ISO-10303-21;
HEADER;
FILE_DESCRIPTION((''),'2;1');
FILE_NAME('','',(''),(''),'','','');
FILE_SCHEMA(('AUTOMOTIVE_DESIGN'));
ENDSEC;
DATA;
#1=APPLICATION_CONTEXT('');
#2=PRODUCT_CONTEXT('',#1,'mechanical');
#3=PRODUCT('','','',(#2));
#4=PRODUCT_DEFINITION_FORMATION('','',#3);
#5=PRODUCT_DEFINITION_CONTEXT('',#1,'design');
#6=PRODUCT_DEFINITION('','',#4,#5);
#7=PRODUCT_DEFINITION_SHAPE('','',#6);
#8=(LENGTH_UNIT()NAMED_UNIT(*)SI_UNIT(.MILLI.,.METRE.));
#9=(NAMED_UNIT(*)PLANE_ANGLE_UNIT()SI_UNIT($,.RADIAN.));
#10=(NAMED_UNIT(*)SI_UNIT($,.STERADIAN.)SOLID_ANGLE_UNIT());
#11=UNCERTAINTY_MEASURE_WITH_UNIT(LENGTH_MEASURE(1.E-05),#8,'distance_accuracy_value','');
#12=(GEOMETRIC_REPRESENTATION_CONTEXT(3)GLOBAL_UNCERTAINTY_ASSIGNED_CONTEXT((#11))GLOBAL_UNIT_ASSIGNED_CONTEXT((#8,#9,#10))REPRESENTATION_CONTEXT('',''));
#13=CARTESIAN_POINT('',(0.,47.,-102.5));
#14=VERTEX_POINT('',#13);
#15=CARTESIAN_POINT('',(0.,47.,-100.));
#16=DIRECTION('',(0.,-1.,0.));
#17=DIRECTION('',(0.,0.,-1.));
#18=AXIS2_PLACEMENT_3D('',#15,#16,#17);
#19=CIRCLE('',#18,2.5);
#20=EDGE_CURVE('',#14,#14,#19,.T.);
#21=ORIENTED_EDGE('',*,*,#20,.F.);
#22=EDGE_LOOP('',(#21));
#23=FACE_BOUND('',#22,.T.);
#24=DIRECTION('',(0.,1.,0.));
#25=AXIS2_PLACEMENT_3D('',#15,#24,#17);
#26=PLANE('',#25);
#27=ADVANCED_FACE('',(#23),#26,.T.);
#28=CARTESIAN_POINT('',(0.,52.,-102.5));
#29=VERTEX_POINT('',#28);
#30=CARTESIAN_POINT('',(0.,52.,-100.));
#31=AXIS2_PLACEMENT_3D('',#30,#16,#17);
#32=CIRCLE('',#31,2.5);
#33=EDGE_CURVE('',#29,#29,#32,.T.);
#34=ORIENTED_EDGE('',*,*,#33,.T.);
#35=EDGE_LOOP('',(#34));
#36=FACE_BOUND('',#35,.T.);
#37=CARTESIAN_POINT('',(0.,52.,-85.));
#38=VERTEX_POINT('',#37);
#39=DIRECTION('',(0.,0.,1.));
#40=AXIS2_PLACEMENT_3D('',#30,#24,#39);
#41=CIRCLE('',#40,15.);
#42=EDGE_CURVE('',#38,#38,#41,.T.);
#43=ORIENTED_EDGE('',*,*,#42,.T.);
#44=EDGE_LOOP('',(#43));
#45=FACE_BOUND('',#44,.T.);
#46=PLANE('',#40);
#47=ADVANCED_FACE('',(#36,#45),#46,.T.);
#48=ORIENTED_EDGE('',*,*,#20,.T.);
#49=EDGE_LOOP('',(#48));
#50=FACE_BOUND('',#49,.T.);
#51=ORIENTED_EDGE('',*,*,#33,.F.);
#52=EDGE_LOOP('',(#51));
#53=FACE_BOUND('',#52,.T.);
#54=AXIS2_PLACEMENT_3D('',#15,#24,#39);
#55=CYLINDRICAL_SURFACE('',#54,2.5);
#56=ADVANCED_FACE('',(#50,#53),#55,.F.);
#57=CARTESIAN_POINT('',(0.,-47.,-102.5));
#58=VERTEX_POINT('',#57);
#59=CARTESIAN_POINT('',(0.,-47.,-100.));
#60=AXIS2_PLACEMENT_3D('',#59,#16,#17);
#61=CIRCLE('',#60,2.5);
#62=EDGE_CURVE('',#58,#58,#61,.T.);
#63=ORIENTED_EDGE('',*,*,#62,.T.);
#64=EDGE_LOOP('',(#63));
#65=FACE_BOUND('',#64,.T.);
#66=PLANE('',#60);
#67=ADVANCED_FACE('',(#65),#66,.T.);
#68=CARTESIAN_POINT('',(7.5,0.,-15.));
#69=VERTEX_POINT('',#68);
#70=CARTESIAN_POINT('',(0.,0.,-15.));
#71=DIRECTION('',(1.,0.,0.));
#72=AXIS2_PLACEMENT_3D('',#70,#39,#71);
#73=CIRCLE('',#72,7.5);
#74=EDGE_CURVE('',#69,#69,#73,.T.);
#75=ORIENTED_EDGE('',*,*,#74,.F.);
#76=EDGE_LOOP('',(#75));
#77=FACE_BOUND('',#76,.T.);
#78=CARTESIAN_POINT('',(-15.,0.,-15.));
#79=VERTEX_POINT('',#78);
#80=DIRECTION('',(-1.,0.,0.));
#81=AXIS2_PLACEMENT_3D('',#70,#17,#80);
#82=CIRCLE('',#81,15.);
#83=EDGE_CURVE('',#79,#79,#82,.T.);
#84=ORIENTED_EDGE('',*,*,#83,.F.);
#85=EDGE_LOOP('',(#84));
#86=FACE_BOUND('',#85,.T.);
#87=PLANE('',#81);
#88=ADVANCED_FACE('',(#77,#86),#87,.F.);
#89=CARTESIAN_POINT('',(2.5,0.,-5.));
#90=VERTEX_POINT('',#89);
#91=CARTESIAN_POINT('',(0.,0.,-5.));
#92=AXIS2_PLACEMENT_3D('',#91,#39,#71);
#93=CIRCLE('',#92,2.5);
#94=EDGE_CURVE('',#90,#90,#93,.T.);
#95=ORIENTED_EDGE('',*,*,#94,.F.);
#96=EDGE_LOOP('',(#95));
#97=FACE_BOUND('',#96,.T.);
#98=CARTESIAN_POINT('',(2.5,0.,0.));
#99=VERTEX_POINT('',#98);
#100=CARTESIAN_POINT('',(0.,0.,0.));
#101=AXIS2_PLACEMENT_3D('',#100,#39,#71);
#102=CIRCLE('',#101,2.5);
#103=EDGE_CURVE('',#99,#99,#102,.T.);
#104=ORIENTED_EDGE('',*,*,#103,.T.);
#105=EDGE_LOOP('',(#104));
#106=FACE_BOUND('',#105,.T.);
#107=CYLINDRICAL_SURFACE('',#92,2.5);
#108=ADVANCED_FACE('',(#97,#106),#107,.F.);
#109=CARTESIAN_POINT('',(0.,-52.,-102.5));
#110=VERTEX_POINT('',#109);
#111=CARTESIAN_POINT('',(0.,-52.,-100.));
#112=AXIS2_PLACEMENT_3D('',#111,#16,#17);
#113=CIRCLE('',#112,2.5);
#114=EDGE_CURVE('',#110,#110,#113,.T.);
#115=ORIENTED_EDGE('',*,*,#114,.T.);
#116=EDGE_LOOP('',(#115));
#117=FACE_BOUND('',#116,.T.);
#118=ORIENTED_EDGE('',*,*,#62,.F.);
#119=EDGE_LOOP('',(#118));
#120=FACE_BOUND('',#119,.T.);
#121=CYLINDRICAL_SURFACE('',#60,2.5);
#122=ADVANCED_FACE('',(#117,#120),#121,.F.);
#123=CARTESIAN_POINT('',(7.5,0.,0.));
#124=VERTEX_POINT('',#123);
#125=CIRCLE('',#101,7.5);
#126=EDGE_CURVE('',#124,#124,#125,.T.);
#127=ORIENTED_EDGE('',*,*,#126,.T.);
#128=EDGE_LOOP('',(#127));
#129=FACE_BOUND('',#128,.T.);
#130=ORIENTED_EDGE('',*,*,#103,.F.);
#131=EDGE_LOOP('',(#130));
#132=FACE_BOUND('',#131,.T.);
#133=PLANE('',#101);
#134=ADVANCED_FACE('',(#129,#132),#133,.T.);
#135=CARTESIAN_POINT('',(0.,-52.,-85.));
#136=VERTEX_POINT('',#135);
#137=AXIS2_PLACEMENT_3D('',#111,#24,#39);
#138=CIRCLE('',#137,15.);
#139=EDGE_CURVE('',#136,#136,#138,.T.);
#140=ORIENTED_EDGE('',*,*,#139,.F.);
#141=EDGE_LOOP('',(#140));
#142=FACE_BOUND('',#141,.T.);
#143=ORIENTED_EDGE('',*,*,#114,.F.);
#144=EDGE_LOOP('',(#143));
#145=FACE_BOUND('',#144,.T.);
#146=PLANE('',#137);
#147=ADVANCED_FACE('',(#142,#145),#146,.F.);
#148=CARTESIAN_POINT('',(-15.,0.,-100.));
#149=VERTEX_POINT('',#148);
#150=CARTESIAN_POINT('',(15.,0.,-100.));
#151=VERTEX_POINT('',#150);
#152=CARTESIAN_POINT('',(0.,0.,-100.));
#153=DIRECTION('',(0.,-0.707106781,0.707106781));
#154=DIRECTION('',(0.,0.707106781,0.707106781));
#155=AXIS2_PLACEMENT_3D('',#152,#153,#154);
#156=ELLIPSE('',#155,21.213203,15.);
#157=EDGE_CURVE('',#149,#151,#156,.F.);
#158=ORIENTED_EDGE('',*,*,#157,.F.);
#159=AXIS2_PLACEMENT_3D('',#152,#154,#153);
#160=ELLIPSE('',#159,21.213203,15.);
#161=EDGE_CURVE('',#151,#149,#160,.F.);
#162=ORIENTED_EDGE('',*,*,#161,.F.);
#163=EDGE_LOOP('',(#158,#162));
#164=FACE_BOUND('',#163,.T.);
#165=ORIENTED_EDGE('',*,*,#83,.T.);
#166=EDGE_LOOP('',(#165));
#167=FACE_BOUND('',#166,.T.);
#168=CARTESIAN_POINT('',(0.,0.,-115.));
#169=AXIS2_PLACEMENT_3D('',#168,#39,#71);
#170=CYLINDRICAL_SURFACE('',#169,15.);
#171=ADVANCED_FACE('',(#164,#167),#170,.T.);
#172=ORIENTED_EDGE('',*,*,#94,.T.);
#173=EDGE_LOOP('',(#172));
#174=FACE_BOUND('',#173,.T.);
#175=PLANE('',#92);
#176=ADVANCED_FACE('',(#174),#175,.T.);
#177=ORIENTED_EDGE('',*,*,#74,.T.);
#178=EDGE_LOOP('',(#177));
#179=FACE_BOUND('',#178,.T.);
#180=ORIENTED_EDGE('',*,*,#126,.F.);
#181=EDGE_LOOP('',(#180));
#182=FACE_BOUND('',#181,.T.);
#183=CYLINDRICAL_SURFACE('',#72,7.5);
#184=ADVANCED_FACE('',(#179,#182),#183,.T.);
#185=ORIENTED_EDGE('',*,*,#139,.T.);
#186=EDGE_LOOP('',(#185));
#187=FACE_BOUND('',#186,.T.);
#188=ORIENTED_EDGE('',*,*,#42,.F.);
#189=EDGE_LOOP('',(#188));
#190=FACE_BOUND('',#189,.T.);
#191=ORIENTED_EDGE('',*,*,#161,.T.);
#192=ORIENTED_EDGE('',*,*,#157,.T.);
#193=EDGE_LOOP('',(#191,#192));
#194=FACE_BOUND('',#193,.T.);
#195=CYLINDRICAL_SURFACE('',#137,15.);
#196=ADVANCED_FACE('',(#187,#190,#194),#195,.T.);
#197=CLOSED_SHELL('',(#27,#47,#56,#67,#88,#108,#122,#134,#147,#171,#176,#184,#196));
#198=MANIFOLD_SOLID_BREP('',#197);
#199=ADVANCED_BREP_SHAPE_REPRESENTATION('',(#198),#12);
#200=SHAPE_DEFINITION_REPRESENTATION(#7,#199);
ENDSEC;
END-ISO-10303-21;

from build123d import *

# Parameters (mm, degrees)
SKETCH1_R           = 7.5
BOSS_EXTRUDE1_DEPTH = 15
SKETCH7_R           = 2.5
CUT_EXTRUDE2_DEPTH  = 5
SKETCH2_R           = 15
BOSS_EXTRUDE2_DEPTH = 100
CUT_EXTRUDE3_DEPTH  = 52
SKETCH9_R           = 15
BOSS_EXTRUDE4_DEPTH = 52
SKETCH10_R          = 2.5
CUT_EXTRUDE4_DEPTH  = 5


with BuildPart() as part:
    # Sketch1 → Boss-Extrude1 (new body)
    with BuildSketch(Plane.XY):
        Circle(SKETCH1_R)
    extrude(amount=-BOSS_EXTRUDE1_DEPTH)

    # Sketch7 → Cut-Extrude2 (cut)
    with BuildSketch(Plane.XY):
        Circle(SKETCH7_R)
    extrude(amount=-CUT_EXTRUDE2_DEPTH, mode=Mode.SUBTRACT)

    # Sketch2 → Boss-Extrude2 (add)
    with BuildSketch(Plane(origin=(0, 0, -15), x_dir=(-1, 0, 0), z_dir=(0, 0, -1))):
        Circle(SKETCH2_R)
    extrude(amount=BOSS_EXTRUDE2_DEPTH)

    # Sketch8 → Cut-Extrude3 (cut, symmetric)
    with BuildSketch(Plane(origin=(0, 0, 0), x_dir=(1, 0, 0), z_dir=(0, 1, 0))):
        with BuildLine():
            Line((15, 165), (-15, 165))
            Line((-15, 165), (-15, 100))
            ThreePointArc((-15, 100), (0, 115), (15, 100))
            Line((15, 100), (15, 165))
        make_face()
    extrude(amount=CUT_EXTRUDE3_DEPTH, both=True, mode=Mode.SUBTRACT)

    # Sketch9 → Boss-Extrude4 (add, symmetric)
    with BuildSketch(Plane(origin=(0, 0, 0), x_dir=(1, 0, 0), z_dir=(0, 1, 0))):
        with Locations(Location((0, 100, 0), (0, 0, 270))):
            Circle(SKETCH9_R)
    extrude(amount=BOSS_EXTRUDE4_DEPTH, both=True)

    # Sketch10 → Cut-Extrude4 (cut)
    with BuildSketch(Plane.XZ.offset(52)):
        with Locations(Location((0, -100, 0), (0, 0, 270))):
            Circle(SKETCH10_R)
    cut_extrude4 = extrude(amount=-CUT_EXTRUDE4_DEPTH, mode=Mode.SUBTRACT)

    # Mirror1: Cut-Extrude4 across plane
    add(cut_extrude4.mirror(Plane.ZX), mode=Mode.SUBTRACT)


solid = part.part
